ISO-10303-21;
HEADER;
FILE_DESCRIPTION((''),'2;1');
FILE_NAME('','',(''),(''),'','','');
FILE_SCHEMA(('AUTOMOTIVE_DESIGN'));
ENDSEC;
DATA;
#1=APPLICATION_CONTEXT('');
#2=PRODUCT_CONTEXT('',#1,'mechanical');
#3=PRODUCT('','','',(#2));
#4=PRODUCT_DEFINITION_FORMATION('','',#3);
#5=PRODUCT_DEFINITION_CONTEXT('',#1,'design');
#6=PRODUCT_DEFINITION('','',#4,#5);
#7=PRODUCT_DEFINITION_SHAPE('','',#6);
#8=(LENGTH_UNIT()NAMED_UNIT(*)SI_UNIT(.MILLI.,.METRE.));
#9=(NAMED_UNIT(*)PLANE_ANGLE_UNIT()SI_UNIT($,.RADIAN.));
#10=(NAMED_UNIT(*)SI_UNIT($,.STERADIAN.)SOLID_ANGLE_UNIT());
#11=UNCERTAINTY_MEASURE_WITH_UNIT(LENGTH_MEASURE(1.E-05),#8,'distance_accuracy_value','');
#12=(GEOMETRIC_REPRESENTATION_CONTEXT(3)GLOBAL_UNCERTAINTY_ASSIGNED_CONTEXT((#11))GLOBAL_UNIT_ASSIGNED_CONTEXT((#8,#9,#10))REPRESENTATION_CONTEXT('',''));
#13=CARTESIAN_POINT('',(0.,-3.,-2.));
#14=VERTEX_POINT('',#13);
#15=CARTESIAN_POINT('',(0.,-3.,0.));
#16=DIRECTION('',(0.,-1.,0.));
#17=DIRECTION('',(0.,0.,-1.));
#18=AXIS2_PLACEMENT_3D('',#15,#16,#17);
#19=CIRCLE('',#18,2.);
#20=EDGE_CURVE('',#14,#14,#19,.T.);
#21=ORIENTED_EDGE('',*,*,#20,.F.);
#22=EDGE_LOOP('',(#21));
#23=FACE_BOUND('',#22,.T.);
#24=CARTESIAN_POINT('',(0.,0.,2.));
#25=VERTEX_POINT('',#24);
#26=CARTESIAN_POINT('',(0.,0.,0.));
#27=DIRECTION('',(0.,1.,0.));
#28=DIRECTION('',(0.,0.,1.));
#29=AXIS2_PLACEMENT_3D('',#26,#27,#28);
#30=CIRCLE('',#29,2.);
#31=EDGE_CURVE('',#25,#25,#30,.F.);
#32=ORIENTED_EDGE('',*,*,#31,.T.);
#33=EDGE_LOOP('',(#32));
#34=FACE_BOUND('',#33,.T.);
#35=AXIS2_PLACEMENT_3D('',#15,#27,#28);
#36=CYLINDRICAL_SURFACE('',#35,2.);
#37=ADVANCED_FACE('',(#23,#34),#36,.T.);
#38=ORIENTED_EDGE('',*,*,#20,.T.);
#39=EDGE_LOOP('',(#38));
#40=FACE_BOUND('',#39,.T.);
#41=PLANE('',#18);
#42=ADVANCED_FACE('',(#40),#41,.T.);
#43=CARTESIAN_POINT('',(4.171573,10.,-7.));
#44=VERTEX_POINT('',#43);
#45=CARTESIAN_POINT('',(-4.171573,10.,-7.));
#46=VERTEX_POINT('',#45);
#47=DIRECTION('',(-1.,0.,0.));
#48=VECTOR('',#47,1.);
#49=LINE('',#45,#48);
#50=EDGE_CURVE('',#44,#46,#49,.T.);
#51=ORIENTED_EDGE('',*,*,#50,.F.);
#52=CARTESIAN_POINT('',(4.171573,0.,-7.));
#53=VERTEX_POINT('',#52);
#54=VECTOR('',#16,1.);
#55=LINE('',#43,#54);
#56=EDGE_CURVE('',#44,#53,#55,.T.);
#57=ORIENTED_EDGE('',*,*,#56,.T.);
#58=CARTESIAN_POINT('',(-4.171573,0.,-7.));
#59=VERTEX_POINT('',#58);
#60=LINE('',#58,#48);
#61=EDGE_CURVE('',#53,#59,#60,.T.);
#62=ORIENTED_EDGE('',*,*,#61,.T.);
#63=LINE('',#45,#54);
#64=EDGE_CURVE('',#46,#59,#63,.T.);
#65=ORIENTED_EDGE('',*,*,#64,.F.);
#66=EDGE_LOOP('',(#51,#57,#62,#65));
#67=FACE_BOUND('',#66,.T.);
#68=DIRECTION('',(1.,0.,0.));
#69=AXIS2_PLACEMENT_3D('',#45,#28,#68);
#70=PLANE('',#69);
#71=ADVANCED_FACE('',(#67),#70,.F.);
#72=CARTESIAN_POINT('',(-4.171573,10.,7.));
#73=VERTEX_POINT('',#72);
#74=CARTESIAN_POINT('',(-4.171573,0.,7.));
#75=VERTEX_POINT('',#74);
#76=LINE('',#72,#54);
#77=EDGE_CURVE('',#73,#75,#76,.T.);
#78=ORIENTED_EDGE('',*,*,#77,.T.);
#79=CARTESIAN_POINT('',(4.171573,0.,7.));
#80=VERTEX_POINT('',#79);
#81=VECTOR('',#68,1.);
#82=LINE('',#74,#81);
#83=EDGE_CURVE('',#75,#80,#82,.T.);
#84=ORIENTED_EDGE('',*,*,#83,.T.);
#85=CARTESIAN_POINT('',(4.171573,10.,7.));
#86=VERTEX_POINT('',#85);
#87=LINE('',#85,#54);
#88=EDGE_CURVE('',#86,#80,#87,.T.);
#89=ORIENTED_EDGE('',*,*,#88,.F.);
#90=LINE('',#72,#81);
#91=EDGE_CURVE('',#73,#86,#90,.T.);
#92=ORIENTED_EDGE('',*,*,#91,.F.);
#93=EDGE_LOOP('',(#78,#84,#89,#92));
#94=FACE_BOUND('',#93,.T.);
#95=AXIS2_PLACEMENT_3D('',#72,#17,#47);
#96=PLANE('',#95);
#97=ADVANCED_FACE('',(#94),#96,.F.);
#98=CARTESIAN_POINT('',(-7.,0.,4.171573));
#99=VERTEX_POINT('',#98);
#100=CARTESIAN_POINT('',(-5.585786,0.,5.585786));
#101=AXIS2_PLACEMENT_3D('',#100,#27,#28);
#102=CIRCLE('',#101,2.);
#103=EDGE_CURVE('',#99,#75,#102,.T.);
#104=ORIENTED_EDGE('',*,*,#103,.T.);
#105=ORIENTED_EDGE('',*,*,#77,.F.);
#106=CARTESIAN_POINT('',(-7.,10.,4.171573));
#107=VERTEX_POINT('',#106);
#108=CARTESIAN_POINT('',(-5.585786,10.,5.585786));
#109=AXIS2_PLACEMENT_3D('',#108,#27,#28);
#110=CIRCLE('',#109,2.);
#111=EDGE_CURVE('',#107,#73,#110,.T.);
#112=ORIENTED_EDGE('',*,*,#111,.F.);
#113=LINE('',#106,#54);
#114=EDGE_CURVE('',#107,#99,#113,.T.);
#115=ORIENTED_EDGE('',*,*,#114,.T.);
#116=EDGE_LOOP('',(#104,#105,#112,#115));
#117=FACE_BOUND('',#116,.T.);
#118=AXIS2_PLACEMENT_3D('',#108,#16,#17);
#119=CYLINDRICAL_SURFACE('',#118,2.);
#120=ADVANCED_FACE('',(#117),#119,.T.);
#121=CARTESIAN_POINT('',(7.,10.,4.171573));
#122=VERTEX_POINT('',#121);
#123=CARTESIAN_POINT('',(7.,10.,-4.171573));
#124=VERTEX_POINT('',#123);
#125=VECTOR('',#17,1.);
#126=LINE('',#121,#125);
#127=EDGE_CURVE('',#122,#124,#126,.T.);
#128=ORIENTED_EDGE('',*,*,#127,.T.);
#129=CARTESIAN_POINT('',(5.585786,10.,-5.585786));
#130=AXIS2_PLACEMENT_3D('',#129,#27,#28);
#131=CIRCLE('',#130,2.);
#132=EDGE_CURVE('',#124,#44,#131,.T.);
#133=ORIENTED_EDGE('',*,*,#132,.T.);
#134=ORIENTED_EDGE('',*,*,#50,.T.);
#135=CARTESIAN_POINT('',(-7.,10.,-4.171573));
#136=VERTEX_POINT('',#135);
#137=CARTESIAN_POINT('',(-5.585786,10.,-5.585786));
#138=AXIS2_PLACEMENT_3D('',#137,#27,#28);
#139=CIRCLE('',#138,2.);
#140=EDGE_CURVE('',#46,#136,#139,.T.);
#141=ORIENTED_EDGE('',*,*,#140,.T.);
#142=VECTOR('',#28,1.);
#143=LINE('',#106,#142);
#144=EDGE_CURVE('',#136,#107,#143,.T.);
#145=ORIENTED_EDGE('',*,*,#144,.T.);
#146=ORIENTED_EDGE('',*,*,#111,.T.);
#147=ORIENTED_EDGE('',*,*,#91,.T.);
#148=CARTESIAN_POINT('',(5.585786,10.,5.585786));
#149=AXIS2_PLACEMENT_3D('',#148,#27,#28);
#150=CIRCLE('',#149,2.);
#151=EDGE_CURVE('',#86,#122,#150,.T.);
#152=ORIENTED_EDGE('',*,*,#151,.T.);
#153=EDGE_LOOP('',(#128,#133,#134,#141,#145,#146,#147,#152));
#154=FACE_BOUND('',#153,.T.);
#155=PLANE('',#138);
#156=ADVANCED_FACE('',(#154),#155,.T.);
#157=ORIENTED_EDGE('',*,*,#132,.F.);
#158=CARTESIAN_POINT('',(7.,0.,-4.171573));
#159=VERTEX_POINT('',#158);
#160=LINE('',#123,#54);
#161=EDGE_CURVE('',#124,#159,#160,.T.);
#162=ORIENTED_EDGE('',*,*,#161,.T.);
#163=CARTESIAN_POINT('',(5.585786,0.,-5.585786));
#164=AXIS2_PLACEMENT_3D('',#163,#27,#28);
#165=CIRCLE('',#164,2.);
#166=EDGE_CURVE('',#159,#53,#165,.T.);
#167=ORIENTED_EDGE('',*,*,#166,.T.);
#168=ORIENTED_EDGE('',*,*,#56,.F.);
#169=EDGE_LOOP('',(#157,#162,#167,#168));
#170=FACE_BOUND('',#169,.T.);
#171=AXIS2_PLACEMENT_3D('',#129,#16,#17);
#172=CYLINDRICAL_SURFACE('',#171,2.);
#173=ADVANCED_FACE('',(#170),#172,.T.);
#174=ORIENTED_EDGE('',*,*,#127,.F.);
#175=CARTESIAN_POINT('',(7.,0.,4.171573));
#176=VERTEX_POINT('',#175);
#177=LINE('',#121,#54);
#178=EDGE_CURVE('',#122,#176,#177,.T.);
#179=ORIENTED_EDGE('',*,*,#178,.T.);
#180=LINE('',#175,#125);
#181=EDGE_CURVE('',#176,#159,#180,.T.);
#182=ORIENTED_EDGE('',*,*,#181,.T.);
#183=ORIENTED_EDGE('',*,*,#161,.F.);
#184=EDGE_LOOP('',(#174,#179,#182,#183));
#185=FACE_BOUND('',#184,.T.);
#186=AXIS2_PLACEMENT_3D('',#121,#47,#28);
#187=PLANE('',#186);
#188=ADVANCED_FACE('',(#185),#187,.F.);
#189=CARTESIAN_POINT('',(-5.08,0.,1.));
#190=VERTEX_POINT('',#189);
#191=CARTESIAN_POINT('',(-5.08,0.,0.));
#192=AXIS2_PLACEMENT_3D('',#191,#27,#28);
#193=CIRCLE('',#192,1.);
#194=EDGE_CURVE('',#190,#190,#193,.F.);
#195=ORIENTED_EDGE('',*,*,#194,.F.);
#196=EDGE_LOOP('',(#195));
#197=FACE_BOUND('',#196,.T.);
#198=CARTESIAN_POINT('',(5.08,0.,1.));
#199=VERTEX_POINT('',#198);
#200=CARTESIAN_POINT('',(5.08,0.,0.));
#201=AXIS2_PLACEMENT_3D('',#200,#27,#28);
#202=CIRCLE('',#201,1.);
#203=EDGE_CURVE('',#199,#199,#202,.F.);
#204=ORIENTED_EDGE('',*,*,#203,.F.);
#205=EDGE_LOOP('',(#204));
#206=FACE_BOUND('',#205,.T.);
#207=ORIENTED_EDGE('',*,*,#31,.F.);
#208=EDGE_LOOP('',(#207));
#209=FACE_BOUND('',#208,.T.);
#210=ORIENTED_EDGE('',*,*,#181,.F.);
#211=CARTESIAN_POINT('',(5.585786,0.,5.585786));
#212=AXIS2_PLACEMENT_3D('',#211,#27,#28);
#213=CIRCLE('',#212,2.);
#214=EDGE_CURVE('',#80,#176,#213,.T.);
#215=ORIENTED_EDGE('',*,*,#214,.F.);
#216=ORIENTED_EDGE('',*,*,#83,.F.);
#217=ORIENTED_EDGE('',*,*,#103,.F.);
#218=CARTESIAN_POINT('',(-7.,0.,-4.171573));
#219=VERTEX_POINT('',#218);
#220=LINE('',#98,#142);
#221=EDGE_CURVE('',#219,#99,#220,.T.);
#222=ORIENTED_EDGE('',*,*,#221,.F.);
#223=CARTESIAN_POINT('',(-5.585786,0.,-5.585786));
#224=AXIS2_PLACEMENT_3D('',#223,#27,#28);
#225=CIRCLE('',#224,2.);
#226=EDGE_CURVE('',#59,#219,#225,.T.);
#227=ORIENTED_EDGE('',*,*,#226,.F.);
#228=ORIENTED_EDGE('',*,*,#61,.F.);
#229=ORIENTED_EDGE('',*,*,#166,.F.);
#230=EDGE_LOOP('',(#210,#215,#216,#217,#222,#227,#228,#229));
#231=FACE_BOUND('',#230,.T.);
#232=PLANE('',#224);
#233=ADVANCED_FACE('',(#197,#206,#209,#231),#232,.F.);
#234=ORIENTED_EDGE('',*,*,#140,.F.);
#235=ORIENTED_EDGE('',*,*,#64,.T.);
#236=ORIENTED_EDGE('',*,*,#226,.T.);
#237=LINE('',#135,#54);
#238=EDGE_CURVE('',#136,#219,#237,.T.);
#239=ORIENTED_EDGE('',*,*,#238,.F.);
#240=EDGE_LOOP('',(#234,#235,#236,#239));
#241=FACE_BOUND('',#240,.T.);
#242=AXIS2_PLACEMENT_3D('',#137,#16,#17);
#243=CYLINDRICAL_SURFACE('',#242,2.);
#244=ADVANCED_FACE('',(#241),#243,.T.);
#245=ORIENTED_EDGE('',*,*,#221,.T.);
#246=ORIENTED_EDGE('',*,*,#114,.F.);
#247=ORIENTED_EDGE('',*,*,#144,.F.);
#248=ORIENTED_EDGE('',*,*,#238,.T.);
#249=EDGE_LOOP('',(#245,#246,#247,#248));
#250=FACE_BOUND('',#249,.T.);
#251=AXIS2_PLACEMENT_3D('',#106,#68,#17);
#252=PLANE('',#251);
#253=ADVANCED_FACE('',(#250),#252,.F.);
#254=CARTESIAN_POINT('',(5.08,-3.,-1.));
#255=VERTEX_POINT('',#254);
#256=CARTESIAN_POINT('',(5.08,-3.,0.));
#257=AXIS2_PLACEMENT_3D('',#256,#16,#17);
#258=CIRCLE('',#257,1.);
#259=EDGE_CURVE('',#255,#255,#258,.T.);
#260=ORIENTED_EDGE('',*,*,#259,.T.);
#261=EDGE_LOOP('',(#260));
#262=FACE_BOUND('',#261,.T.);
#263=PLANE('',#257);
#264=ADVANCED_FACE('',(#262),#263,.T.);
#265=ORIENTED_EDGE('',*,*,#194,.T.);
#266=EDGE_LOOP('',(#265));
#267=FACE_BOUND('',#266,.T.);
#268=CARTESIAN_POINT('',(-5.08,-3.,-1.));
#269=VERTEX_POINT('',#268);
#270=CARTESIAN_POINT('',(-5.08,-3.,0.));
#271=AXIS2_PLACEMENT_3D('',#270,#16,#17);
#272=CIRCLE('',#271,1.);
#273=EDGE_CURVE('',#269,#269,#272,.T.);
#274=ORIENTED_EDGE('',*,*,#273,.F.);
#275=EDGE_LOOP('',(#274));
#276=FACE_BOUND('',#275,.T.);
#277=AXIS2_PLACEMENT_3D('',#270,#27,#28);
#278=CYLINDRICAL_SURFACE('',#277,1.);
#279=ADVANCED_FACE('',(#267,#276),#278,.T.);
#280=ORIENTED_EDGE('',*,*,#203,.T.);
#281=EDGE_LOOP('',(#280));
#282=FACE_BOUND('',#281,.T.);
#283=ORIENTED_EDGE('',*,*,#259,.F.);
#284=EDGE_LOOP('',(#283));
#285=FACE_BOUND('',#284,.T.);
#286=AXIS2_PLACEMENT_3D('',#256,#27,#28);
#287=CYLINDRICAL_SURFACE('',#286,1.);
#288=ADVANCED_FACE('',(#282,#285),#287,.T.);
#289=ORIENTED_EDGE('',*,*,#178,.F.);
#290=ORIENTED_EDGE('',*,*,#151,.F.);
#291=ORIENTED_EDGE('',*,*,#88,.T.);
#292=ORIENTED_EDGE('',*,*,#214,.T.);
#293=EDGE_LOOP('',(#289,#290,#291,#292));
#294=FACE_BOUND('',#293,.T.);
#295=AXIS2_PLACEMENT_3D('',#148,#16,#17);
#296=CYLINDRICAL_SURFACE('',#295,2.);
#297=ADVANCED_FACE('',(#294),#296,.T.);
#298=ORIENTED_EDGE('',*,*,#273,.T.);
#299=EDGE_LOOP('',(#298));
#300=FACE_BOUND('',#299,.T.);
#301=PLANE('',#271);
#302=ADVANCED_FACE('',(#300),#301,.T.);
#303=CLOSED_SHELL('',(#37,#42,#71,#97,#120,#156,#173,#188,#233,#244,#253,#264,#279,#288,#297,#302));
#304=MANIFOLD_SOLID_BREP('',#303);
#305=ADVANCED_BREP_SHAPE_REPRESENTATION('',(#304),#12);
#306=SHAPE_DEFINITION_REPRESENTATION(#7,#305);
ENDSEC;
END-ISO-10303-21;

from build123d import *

# Parameters (mm, degrees)
BOSS_EXTRUDE1_DEPTH = 10
SKETCH2_R           = 2
SKETCH2_R_2         = 1
BOSS_EXTRUDE2_DEPTH = 3


with BuildPart() as part:
    # Sketch1 → Boss-Extrude1 (new body)
    with BuildSketch(Plane(origin=(0, 0, 0), x_dir=(1, 0, 0), z_dir=(0, 1, 0))):
        with BuildLine():
            Line((-4.171572875, -7), (4.171572875, -7))
            ThreePointArc((4.171572875, -7), (7, -7), (7, -4.171572875))
            Line((7, -4.171572875), (7, 4.171572875))
            ThreePointArc((7, 4.171572875), (7, 7), (4.171572875, 7))
            Line((4.171572875, 7), (-4.171572875, 7))
            ThreePointArc((-4.171572875, 7), (-7, 7), (-7, 4.171572875))
            Line((-7, 4.171572875), (-7, -4.171572875))
            ThreePointArc((-7, -4.171572875), (-7, -7), (-4.171572875, -7))
        make_face()
    extrude(amount=BOSS_EXTRUDE1_DEPTH)

    # Sketch2 → Boss-Extrude2 (add)
    with BuildSketch(Plane.XZ):
        with Locations(Location((0, 0, 0), (0, 0, 90))):
            Circle(SKETCH2_R)
        with Locations(Location((-5.08, 0, 0), (0, 0, 90))):
            Circle(SKETCH2_R_2)
        with Locations(Location((5.08, 0, 0), (0, 0, 90))):
            Circle(SKETCH2_R_2)
    extrude(amount=BOSS_EXTRUDE2_DEPTH)


solid = part.part
